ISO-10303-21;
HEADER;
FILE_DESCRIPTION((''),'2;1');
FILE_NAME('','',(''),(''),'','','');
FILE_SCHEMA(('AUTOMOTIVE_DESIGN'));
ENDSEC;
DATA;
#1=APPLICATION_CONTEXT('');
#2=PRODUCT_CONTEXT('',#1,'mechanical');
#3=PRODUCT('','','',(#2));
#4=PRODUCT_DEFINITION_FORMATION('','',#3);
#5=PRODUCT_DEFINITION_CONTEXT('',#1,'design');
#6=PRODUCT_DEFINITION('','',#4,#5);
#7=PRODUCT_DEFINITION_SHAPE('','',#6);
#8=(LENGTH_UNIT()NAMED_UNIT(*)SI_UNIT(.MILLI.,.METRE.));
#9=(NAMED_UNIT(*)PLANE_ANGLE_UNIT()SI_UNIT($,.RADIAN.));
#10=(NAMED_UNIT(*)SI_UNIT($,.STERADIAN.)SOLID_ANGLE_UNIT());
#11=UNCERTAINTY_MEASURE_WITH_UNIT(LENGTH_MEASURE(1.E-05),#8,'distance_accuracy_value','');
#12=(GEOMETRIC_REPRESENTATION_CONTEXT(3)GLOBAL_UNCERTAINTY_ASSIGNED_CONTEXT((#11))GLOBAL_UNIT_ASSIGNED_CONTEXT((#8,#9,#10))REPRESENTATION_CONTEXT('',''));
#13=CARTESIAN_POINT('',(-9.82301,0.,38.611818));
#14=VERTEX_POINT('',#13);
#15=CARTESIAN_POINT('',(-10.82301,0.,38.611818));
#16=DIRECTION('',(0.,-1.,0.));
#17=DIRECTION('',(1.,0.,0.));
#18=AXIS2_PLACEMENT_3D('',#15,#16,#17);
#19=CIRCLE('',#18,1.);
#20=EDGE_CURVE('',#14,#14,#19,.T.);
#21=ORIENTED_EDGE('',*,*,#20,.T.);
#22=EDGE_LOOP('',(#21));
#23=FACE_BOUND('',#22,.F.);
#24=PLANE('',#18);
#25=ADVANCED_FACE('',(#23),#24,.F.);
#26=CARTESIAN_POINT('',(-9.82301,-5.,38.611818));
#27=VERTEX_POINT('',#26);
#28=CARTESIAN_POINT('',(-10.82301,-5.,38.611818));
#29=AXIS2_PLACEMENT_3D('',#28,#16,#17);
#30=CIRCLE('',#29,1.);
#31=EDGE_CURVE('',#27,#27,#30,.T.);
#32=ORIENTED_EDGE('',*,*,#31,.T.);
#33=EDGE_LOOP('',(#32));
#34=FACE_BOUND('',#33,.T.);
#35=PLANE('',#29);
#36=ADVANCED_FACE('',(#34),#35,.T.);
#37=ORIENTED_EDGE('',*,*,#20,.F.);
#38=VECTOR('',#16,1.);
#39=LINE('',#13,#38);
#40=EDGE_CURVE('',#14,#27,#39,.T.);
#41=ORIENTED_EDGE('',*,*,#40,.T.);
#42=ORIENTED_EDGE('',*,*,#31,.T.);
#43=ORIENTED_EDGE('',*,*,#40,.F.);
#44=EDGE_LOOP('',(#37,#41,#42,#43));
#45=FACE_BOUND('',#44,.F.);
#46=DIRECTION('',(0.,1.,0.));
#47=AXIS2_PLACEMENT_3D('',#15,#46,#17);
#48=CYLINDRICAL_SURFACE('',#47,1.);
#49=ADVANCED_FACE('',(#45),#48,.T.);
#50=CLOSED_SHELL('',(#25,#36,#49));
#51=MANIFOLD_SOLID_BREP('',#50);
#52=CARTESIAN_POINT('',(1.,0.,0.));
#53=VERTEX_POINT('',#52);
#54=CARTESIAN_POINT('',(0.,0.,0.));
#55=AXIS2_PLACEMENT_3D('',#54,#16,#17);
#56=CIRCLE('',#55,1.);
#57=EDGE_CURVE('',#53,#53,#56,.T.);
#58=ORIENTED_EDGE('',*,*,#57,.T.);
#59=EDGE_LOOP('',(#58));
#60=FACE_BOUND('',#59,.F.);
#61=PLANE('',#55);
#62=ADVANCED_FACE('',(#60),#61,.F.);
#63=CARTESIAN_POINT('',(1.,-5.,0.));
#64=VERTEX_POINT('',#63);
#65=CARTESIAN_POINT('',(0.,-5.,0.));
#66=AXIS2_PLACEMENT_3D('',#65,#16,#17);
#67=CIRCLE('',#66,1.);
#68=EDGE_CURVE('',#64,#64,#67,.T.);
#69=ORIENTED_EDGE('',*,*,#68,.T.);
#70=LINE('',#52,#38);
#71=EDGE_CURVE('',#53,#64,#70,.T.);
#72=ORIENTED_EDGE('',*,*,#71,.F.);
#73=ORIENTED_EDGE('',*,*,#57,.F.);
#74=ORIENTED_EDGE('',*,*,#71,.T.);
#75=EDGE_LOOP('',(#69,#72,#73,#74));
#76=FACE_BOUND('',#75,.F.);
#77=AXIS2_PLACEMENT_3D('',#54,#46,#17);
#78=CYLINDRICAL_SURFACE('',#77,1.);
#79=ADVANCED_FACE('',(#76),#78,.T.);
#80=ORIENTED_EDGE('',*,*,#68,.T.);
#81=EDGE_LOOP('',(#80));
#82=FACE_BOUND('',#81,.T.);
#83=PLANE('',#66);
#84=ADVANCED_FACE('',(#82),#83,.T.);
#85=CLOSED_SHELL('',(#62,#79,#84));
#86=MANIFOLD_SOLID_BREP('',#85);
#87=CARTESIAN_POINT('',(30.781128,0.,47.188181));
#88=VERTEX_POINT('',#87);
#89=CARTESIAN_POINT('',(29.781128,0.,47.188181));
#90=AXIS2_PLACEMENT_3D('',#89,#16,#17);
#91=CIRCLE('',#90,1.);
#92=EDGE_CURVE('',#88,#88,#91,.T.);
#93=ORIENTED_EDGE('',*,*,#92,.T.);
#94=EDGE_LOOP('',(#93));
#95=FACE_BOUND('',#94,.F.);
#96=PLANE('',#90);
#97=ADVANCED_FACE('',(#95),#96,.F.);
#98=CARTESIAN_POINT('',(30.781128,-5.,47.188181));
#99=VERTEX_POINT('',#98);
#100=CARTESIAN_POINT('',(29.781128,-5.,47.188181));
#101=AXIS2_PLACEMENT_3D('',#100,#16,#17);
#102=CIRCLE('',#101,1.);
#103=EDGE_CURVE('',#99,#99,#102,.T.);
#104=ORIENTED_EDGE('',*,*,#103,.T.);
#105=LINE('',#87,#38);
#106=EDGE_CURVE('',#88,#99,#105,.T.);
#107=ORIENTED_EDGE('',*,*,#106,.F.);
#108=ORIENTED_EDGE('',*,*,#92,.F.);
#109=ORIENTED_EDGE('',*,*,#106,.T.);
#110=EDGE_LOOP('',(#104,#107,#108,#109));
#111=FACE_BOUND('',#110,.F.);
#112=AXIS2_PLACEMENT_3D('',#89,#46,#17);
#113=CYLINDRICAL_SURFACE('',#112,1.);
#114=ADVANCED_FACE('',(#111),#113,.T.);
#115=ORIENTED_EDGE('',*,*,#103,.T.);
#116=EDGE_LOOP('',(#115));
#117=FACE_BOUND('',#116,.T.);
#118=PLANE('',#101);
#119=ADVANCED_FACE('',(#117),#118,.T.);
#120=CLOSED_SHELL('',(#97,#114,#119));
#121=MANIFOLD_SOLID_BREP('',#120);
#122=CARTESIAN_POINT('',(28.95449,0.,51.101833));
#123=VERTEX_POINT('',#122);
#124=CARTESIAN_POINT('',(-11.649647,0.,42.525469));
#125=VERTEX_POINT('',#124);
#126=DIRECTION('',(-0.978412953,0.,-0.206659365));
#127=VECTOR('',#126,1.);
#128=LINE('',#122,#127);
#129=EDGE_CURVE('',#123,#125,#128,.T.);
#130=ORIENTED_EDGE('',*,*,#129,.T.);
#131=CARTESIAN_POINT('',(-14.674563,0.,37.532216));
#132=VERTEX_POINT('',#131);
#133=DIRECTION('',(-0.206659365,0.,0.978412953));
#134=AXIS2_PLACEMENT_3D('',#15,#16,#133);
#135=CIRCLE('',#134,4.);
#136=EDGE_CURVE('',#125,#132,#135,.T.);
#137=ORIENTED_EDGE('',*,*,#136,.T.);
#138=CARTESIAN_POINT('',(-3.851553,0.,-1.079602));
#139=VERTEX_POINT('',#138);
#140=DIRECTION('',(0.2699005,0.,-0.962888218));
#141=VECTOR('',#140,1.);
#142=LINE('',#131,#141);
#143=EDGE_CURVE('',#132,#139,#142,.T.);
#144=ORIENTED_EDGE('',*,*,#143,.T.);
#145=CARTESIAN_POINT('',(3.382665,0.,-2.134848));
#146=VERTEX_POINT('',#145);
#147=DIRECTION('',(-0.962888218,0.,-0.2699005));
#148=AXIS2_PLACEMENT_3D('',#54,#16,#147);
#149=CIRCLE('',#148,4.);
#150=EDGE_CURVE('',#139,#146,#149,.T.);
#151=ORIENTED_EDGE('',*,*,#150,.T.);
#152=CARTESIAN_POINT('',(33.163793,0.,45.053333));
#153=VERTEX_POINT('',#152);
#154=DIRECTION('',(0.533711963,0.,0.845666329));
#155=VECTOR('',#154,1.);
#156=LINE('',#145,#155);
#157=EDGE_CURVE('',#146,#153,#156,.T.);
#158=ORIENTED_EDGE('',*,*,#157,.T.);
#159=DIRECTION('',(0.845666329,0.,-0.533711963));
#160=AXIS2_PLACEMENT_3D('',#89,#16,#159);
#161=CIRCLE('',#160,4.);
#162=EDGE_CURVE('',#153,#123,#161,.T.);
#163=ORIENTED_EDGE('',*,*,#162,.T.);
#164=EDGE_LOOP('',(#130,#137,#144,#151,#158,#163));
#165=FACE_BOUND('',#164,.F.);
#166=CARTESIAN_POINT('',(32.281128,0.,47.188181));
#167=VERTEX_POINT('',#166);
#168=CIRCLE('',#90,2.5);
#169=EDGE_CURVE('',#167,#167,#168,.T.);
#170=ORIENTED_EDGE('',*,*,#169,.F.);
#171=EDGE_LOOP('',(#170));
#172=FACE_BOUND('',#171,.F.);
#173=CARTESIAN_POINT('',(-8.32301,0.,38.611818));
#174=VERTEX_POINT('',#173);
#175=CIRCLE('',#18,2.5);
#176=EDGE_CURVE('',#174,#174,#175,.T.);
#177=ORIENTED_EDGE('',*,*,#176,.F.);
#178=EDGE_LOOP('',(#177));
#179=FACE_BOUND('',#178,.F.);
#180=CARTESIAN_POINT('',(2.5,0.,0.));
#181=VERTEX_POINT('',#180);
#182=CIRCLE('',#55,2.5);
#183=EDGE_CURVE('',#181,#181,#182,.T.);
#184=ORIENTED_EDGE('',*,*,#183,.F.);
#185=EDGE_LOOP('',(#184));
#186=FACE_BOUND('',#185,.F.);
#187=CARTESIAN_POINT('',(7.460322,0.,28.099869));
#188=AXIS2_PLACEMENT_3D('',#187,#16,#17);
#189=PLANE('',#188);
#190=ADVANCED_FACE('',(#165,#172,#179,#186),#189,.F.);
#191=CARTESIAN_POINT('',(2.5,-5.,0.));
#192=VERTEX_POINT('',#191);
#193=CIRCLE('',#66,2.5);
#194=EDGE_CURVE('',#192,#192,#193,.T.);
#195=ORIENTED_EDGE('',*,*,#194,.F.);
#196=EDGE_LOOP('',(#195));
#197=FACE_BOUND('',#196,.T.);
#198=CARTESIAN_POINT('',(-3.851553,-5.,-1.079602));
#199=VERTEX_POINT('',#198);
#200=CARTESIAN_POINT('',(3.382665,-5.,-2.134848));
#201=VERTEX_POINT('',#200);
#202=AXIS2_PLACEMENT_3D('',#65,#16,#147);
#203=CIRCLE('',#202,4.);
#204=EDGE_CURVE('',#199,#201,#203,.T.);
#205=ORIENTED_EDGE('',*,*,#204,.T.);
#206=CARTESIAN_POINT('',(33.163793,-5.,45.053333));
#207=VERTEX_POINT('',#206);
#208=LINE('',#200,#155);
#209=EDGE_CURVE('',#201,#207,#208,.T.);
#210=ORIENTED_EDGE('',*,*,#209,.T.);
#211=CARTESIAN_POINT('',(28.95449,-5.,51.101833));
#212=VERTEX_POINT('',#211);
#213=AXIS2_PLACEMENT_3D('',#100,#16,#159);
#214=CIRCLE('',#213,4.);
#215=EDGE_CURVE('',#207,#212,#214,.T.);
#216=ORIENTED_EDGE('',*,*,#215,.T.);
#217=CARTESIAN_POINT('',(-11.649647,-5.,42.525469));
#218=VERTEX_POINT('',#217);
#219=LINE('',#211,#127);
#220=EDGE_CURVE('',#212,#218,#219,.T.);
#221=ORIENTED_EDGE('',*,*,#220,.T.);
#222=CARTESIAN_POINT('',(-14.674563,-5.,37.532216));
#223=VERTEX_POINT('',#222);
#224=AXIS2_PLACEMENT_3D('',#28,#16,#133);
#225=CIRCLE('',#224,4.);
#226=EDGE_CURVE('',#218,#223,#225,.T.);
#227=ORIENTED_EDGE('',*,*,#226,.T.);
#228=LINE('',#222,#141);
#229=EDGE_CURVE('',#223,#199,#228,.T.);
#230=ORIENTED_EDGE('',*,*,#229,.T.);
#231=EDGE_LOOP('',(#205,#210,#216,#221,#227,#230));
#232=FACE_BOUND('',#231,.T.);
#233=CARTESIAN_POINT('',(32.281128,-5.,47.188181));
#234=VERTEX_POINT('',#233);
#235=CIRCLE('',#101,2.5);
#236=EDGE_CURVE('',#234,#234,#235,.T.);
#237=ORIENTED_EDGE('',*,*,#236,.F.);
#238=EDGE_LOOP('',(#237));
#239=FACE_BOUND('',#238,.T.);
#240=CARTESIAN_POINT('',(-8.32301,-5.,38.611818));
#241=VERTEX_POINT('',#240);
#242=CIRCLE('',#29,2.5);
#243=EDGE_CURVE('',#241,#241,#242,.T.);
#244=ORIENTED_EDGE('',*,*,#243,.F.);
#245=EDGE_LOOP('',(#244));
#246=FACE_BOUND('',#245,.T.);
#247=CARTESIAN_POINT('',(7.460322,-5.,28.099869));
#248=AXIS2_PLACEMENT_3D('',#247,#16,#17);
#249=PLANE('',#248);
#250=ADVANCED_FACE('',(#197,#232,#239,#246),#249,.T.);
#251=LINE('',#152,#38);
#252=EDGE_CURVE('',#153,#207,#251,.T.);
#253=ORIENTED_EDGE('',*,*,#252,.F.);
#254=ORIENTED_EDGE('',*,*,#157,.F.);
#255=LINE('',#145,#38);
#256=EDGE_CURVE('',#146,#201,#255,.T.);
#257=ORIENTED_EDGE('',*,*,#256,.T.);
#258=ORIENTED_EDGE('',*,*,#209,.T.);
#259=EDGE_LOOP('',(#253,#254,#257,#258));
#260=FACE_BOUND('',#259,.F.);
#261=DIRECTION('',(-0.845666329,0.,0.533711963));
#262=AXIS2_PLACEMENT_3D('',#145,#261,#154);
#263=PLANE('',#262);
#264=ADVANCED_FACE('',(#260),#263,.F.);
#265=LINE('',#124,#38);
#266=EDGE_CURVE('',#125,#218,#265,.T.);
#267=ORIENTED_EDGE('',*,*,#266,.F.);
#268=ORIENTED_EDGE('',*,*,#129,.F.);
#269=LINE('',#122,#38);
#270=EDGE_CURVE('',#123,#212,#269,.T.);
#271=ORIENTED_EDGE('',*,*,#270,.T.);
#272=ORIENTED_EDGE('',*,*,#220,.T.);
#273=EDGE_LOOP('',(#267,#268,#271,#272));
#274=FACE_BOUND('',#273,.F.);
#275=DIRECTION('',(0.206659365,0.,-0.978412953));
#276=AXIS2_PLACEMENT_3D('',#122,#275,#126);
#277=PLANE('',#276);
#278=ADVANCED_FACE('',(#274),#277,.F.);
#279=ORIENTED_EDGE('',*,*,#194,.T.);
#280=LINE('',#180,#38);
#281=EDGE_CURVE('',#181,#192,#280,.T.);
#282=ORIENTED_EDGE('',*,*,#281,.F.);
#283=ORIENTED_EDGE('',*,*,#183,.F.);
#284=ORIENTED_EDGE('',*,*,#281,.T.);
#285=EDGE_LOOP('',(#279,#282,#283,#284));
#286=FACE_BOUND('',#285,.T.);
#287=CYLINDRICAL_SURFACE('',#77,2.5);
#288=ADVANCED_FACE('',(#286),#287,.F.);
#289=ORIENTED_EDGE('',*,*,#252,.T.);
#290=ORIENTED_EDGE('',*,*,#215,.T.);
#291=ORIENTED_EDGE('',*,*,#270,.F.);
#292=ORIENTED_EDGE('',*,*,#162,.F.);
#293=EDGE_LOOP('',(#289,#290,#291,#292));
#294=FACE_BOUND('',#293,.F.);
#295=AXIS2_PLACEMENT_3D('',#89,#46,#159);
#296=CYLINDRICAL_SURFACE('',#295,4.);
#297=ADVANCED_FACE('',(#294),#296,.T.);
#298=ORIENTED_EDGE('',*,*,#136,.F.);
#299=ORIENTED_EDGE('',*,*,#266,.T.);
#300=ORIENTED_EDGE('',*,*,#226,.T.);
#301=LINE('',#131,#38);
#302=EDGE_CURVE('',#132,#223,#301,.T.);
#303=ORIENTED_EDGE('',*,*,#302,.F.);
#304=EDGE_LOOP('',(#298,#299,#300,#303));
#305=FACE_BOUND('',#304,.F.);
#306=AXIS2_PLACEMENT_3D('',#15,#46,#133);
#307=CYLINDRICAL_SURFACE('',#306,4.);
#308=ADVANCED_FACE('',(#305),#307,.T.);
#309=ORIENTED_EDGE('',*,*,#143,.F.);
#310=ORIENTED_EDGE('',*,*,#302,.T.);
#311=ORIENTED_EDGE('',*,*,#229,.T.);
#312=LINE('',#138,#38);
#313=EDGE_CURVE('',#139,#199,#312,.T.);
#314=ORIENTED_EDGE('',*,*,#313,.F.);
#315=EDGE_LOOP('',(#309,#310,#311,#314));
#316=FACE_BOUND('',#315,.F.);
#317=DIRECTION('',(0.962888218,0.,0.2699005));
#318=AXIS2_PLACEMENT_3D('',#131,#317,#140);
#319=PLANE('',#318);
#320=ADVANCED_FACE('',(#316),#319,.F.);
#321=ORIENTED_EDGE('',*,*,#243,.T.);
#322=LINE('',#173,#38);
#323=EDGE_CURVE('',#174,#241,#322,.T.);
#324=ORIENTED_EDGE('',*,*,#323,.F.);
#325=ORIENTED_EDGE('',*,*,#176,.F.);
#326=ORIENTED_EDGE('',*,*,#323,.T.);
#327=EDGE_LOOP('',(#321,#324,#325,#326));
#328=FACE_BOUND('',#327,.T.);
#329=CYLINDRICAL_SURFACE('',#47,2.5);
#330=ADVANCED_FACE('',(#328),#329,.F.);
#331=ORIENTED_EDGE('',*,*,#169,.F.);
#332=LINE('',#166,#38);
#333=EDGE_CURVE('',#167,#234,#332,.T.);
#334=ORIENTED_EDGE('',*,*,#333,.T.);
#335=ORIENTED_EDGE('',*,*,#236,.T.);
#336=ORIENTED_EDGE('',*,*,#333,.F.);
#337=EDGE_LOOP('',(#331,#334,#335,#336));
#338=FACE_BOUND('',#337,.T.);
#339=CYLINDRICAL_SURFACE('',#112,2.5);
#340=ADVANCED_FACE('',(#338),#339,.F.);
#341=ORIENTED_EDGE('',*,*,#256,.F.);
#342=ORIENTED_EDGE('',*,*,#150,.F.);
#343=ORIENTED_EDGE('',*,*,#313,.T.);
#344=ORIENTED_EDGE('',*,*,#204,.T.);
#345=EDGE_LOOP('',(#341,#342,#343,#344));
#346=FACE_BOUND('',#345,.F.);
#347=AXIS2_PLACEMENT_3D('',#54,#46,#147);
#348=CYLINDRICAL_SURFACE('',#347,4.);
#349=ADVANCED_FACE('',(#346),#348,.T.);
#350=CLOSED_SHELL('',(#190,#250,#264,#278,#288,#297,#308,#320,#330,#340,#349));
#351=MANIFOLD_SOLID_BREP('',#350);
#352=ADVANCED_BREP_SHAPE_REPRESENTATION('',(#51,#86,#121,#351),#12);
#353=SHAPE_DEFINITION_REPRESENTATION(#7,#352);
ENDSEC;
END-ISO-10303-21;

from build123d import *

# Parameters (mm, degrees)
F0_R     = 1
F1_DEPTH = 5
F0_R_2   = 2.5


with BuildPart() as f1:
    # F0 (on Front) → F1 (new body)
    with BuildSketch(Plane.XZ):
        with Locations((-10.8230100318, 38.6118175414)):
            Circle(F0_R)
    extrude(amount=F1_DEPTH)


with BuildPart() as f1b:
    # F0 (on Front) → F1, piece 2 (new body)
    with BuildSketch(Plane.XZ):
        with BuildLine():
            Line((-14.6745629038, 37.5322155432), (-3.851552872, -1.0796019982))
            ThreePointArc((-3.851552872, -1.0796019982), (-0.5773645618, -3.9581119442), (3.3826653178, -2.1348478512))
            Line((3.3826653178, -2.1348478512), (33.1637928422, 45.053333332))
            ThreePointArc((33.1637928422, 45.053333332), (33.0643281958, 49.4730429626), (28.9544900649, 51.1018329958))
            Line((28.9544900649, 51.1018329958), (-11.6496474913, 42.5254693541))
            ThreePointArc((-11.6496474913, 42.5254693541), (-14.2441958057, 40.6843734275), (-14.6745629038, 37.5322155432))
        make_face()
        Circle(F0_R_2, mode=Mode.SUBTRACT)
        with Locations((-10.8230100318, 38.6118175414)):
            Circle(F0_R_2, mode=Mode.SUBTRACT)
        with Locations((29.7811275244, 47.1881811832)):
            Circle(F0_R_2, mode=Mode.SUBTRACT)
    extrude(amount=F1_DEPTH)


with BuildPart() as f1c:
    # F0 (on Front) → F1, piece 3 (new body)
    with BuildSketch(Plane.XZ):
        with Locations((29.7811275244, 47.1881811832)):
            Circle(F0_R)
    extrude(amount=F1_DEPTH)


with BuildPart() as f1d:
    # F0 (on Front) → F1, piece 4 (new body)
    with BuildSketch(Plane.XZ):
        Circle(F0_R)
    extrude(amount=F1_DEPTH)


solid = Compound([f1.part, f1b.part, f1c.part, f1d.part])
